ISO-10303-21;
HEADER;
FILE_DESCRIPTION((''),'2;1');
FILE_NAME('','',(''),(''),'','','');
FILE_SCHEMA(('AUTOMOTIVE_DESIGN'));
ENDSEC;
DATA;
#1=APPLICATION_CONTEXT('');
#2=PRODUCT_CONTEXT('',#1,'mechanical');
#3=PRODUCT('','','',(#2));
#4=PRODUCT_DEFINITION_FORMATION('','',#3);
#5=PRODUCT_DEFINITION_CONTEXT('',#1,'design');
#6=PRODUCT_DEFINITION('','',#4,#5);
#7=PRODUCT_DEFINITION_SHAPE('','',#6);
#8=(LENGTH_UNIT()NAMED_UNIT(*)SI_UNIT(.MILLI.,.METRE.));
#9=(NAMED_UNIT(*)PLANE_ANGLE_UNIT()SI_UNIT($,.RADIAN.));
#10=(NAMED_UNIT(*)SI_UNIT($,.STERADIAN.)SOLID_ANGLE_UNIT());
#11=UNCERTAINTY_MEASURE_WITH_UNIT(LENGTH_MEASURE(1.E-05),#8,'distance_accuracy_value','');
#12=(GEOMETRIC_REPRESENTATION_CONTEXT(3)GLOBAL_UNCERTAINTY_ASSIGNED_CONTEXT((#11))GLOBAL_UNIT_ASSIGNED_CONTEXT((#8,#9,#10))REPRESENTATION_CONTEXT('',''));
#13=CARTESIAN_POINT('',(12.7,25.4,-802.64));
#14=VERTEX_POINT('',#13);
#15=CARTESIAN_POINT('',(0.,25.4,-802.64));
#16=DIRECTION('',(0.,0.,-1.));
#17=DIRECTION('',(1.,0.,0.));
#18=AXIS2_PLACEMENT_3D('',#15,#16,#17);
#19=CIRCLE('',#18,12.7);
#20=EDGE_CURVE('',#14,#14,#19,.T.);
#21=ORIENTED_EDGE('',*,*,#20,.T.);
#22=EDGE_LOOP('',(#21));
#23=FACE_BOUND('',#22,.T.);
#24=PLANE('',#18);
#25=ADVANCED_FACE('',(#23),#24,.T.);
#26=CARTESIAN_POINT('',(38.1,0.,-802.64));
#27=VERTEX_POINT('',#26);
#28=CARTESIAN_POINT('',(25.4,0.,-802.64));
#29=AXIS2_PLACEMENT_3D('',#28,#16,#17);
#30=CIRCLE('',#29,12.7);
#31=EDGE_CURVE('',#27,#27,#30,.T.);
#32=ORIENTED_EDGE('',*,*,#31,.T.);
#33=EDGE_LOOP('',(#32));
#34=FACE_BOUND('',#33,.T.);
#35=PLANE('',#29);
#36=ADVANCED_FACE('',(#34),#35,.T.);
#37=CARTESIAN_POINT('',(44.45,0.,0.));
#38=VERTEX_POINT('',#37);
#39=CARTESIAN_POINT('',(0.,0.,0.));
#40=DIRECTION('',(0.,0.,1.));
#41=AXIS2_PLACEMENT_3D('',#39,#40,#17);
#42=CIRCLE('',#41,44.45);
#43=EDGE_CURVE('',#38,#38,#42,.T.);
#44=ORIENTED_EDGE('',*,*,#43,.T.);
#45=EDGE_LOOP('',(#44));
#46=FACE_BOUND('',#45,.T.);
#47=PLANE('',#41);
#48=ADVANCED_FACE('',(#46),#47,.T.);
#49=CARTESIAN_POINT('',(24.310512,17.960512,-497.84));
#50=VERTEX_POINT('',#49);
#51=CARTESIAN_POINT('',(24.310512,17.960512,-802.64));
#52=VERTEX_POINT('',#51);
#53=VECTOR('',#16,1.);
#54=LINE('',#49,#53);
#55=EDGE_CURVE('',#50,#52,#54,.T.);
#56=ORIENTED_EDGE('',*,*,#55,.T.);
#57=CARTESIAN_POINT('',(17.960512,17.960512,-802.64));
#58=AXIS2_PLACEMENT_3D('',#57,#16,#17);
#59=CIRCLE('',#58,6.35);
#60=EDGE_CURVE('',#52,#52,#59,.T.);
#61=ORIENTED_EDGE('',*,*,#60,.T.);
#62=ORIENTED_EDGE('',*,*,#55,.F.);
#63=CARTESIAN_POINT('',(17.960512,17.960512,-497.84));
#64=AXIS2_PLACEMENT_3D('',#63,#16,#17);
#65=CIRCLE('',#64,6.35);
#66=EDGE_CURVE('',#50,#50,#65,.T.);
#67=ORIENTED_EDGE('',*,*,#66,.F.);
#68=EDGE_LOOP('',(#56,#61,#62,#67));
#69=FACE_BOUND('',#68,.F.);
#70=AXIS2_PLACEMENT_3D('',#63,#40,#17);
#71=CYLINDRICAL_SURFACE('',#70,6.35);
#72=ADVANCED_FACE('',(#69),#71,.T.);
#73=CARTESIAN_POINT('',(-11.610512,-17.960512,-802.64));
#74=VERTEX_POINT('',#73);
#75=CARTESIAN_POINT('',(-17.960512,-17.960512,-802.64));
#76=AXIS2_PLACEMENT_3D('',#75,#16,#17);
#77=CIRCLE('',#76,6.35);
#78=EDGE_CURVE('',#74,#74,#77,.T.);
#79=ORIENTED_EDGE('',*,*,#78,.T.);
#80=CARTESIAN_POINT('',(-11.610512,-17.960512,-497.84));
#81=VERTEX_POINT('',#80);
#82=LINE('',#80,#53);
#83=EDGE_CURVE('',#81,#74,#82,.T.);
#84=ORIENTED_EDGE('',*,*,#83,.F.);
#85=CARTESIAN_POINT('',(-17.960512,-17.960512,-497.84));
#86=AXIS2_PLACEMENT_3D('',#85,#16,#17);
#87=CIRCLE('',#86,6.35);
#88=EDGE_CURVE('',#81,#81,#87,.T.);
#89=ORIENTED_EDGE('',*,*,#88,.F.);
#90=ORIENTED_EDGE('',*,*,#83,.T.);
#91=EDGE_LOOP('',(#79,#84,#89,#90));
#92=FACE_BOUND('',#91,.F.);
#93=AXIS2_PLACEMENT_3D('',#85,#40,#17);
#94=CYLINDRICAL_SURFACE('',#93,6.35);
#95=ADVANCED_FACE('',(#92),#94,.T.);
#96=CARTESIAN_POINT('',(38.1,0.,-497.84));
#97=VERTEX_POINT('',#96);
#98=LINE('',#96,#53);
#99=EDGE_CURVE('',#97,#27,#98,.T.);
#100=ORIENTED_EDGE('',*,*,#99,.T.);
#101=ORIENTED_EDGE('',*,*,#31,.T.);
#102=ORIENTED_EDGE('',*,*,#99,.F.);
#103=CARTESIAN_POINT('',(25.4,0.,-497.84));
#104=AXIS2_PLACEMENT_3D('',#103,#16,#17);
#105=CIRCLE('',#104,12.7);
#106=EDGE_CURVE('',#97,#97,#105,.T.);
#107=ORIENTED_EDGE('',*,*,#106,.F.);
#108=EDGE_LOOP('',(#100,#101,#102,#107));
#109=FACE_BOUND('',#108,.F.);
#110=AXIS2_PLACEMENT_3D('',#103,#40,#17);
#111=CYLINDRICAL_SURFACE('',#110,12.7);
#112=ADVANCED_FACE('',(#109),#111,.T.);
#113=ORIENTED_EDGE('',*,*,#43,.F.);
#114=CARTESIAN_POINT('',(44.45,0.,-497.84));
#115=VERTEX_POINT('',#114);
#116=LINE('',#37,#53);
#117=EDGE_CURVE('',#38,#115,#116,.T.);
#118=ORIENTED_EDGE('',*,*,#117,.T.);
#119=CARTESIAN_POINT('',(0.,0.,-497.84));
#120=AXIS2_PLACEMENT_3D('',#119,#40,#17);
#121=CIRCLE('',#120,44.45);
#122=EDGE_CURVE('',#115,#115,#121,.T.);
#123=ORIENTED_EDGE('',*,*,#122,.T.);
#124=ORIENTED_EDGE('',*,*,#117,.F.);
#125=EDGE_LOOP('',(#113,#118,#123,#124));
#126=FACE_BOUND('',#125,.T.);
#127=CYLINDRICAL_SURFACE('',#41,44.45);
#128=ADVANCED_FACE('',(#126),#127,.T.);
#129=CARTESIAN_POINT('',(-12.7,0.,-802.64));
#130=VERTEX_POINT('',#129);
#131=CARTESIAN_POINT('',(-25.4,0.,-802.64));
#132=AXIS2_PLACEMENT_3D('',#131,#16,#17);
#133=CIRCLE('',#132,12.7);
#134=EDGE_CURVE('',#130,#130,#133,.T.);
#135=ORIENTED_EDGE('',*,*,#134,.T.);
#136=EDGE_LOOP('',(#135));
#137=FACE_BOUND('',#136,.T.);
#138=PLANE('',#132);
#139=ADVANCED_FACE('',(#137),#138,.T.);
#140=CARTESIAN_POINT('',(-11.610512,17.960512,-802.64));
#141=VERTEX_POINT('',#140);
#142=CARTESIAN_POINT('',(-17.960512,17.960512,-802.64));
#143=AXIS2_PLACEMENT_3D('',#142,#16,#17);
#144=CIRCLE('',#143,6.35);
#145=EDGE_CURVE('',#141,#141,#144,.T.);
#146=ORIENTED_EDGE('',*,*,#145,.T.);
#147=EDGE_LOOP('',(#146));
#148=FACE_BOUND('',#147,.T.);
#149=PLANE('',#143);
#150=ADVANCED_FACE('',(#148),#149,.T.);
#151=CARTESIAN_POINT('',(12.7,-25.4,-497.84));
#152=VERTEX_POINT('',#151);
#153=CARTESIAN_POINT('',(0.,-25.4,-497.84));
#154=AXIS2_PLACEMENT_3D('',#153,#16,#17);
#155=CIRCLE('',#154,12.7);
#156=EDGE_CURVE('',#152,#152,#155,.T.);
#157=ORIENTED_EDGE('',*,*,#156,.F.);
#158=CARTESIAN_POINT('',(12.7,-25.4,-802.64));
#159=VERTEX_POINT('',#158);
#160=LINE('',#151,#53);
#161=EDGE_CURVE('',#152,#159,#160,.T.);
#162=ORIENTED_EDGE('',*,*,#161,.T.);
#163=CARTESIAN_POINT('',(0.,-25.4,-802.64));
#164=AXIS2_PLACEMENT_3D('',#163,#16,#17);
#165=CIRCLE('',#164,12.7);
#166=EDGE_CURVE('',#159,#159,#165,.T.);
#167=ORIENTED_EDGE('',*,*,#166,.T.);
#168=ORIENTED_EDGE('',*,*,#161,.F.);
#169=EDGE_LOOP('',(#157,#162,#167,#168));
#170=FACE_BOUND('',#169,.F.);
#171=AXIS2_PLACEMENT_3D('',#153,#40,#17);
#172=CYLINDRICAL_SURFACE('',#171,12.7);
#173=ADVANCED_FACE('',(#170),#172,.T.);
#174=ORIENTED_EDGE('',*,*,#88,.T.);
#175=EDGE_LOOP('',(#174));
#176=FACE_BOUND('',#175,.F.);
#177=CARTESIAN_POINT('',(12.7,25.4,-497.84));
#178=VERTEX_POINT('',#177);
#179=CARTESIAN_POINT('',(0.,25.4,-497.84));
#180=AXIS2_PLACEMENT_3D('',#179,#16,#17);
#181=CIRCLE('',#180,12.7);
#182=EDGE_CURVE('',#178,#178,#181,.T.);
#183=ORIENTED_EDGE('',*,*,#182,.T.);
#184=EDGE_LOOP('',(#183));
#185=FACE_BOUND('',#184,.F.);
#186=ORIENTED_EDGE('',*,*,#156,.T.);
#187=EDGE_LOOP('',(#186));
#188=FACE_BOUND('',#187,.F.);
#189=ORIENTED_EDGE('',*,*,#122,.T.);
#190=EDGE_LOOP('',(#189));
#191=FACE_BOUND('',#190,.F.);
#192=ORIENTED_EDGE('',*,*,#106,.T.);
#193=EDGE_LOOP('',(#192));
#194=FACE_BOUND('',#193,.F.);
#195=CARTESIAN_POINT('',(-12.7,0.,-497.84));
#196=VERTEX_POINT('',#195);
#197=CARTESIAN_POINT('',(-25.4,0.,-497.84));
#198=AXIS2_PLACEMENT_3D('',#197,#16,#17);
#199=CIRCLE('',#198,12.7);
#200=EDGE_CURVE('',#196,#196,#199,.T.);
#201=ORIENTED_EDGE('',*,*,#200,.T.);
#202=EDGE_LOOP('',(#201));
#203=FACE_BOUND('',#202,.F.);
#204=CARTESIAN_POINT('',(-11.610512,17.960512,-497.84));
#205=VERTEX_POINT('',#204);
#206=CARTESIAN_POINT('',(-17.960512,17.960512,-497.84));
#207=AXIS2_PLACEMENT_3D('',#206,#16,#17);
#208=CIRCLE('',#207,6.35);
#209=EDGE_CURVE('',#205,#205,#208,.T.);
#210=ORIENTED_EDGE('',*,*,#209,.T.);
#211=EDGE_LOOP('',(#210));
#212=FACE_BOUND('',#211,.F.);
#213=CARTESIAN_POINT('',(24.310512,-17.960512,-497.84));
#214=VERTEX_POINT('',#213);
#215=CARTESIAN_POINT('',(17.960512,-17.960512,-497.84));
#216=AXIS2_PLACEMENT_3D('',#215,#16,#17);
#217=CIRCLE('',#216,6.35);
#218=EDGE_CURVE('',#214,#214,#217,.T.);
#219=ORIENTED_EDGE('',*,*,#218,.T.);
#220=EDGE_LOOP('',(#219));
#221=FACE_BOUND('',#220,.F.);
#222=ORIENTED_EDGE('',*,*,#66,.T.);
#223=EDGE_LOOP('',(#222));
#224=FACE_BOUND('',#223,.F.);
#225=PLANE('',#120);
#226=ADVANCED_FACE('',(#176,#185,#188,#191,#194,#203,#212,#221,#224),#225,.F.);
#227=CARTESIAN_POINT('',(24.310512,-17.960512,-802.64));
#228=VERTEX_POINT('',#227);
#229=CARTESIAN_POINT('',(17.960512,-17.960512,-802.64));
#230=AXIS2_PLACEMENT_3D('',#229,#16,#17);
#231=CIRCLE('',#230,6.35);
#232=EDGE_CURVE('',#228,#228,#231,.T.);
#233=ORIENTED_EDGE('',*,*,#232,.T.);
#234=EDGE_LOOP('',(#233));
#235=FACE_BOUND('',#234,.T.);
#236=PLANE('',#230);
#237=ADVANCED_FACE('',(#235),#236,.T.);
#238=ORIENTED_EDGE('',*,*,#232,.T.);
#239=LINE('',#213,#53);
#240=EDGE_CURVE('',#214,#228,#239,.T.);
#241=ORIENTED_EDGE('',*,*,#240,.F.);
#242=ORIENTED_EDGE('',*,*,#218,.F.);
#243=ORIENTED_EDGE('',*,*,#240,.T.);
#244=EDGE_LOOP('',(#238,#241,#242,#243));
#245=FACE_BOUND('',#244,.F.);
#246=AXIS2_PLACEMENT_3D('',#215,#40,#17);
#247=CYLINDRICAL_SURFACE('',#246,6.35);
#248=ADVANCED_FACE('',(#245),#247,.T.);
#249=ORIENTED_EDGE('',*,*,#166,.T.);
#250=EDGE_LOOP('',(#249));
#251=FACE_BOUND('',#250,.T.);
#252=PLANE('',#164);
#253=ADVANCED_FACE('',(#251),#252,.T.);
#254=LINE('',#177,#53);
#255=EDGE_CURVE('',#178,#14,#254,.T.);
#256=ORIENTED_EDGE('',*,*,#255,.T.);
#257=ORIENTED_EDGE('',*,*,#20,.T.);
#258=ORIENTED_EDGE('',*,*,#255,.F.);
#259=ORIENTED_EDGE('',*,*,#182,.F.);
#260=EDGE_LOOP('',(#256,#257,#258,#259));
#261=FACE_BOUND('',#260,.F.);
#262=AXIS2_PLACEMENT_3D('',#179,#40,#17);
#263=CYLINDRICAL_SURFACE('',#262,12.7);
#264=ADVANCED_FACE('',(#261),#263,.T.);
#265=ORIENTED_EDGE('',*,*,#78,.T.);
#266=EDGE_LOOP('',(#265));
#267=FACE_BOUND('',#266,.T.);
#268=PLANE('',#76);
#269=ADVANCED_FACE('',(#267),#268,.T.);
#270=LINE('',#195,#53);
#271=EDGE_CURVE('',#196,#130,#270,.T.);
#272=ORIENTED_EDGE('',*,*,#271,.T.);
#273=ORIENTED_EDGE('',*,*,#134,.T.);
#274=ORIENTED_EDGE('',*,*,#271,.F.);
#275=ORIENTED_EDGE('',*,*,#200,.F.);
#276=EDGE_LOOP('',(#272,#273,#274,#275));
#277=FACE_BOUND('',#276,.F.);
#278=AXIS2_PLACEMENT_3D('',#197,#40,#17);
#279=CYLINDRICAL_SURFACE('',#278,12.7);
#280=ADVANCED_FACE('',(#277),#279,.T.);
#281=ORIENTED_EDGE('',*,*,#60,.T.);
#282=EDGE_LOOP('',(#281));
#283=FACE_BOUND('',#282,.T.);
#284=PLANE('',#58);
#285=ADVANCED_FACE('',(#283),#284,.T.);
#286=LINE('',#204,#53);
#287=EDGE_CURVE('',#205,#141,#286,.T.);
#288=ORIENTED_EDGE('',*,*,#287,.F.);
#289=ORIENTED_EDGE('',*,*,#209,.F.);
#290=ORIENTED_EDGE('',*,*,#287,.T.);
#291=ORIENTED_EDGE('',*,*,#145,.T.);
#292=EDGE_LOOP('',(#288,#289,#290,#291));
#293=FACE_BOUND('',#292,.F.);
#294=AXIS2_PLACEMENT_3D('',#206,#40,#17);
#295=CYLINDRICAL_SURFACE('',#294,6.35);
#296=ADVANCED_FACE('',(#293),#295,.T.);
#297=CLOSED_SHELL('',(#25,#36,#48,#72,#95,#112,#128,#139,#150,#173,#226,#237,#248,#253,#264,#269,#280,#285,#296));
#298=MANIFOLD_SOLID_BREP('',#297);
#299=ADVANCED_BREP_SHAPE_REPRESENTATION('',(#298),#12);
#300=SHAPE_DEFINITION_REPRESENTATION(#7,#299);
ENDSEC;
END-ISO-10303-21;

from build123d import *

# Parameters (mm, degrees)
F0_R     = 44.45
F1_DEPTH = 497.84
F2_R     = 12.7
F2_R_2   = 6.35
F3_DEPTH = 304.8


with BuildPart() as f1:
    # F0 (on Top) → F1 (new body)
    with BuildSketch(Plane.XY):
        Circle(F0_R)
    extrude(amount=-F1_DEPTH)

    # F2 (on face) → F3 (join)
    with BuildSketch(Plane(origin=(0, 0, -497.84), x_dir=(1, 0, 0), z_dir=(0, 0, -1))):
        with Locations((0, 25.4)):
            Circle(F2_R)
        with Locations((0, -25.4)):
            Circle(F2_R)
        with Locations((-25.4, 0)):
            Circle(F2_R)
        with Locations((25.4, 0)):
            Circle(F2_R)
        with Locations((-17.960512, 17.960512)):
            Circle(F2_R_2)
        with Locations((17.960512, 17.960512)):
            Circle(F2_R_2)
        with Locations((17.960512, -17.960512)):
            Circle(F2_R_2)
        with Locations((-17.960512, -17.960512)):
            Circle(F2_R_2)
    extrude(amount=F3_DEPTH)


solid = f1.part
